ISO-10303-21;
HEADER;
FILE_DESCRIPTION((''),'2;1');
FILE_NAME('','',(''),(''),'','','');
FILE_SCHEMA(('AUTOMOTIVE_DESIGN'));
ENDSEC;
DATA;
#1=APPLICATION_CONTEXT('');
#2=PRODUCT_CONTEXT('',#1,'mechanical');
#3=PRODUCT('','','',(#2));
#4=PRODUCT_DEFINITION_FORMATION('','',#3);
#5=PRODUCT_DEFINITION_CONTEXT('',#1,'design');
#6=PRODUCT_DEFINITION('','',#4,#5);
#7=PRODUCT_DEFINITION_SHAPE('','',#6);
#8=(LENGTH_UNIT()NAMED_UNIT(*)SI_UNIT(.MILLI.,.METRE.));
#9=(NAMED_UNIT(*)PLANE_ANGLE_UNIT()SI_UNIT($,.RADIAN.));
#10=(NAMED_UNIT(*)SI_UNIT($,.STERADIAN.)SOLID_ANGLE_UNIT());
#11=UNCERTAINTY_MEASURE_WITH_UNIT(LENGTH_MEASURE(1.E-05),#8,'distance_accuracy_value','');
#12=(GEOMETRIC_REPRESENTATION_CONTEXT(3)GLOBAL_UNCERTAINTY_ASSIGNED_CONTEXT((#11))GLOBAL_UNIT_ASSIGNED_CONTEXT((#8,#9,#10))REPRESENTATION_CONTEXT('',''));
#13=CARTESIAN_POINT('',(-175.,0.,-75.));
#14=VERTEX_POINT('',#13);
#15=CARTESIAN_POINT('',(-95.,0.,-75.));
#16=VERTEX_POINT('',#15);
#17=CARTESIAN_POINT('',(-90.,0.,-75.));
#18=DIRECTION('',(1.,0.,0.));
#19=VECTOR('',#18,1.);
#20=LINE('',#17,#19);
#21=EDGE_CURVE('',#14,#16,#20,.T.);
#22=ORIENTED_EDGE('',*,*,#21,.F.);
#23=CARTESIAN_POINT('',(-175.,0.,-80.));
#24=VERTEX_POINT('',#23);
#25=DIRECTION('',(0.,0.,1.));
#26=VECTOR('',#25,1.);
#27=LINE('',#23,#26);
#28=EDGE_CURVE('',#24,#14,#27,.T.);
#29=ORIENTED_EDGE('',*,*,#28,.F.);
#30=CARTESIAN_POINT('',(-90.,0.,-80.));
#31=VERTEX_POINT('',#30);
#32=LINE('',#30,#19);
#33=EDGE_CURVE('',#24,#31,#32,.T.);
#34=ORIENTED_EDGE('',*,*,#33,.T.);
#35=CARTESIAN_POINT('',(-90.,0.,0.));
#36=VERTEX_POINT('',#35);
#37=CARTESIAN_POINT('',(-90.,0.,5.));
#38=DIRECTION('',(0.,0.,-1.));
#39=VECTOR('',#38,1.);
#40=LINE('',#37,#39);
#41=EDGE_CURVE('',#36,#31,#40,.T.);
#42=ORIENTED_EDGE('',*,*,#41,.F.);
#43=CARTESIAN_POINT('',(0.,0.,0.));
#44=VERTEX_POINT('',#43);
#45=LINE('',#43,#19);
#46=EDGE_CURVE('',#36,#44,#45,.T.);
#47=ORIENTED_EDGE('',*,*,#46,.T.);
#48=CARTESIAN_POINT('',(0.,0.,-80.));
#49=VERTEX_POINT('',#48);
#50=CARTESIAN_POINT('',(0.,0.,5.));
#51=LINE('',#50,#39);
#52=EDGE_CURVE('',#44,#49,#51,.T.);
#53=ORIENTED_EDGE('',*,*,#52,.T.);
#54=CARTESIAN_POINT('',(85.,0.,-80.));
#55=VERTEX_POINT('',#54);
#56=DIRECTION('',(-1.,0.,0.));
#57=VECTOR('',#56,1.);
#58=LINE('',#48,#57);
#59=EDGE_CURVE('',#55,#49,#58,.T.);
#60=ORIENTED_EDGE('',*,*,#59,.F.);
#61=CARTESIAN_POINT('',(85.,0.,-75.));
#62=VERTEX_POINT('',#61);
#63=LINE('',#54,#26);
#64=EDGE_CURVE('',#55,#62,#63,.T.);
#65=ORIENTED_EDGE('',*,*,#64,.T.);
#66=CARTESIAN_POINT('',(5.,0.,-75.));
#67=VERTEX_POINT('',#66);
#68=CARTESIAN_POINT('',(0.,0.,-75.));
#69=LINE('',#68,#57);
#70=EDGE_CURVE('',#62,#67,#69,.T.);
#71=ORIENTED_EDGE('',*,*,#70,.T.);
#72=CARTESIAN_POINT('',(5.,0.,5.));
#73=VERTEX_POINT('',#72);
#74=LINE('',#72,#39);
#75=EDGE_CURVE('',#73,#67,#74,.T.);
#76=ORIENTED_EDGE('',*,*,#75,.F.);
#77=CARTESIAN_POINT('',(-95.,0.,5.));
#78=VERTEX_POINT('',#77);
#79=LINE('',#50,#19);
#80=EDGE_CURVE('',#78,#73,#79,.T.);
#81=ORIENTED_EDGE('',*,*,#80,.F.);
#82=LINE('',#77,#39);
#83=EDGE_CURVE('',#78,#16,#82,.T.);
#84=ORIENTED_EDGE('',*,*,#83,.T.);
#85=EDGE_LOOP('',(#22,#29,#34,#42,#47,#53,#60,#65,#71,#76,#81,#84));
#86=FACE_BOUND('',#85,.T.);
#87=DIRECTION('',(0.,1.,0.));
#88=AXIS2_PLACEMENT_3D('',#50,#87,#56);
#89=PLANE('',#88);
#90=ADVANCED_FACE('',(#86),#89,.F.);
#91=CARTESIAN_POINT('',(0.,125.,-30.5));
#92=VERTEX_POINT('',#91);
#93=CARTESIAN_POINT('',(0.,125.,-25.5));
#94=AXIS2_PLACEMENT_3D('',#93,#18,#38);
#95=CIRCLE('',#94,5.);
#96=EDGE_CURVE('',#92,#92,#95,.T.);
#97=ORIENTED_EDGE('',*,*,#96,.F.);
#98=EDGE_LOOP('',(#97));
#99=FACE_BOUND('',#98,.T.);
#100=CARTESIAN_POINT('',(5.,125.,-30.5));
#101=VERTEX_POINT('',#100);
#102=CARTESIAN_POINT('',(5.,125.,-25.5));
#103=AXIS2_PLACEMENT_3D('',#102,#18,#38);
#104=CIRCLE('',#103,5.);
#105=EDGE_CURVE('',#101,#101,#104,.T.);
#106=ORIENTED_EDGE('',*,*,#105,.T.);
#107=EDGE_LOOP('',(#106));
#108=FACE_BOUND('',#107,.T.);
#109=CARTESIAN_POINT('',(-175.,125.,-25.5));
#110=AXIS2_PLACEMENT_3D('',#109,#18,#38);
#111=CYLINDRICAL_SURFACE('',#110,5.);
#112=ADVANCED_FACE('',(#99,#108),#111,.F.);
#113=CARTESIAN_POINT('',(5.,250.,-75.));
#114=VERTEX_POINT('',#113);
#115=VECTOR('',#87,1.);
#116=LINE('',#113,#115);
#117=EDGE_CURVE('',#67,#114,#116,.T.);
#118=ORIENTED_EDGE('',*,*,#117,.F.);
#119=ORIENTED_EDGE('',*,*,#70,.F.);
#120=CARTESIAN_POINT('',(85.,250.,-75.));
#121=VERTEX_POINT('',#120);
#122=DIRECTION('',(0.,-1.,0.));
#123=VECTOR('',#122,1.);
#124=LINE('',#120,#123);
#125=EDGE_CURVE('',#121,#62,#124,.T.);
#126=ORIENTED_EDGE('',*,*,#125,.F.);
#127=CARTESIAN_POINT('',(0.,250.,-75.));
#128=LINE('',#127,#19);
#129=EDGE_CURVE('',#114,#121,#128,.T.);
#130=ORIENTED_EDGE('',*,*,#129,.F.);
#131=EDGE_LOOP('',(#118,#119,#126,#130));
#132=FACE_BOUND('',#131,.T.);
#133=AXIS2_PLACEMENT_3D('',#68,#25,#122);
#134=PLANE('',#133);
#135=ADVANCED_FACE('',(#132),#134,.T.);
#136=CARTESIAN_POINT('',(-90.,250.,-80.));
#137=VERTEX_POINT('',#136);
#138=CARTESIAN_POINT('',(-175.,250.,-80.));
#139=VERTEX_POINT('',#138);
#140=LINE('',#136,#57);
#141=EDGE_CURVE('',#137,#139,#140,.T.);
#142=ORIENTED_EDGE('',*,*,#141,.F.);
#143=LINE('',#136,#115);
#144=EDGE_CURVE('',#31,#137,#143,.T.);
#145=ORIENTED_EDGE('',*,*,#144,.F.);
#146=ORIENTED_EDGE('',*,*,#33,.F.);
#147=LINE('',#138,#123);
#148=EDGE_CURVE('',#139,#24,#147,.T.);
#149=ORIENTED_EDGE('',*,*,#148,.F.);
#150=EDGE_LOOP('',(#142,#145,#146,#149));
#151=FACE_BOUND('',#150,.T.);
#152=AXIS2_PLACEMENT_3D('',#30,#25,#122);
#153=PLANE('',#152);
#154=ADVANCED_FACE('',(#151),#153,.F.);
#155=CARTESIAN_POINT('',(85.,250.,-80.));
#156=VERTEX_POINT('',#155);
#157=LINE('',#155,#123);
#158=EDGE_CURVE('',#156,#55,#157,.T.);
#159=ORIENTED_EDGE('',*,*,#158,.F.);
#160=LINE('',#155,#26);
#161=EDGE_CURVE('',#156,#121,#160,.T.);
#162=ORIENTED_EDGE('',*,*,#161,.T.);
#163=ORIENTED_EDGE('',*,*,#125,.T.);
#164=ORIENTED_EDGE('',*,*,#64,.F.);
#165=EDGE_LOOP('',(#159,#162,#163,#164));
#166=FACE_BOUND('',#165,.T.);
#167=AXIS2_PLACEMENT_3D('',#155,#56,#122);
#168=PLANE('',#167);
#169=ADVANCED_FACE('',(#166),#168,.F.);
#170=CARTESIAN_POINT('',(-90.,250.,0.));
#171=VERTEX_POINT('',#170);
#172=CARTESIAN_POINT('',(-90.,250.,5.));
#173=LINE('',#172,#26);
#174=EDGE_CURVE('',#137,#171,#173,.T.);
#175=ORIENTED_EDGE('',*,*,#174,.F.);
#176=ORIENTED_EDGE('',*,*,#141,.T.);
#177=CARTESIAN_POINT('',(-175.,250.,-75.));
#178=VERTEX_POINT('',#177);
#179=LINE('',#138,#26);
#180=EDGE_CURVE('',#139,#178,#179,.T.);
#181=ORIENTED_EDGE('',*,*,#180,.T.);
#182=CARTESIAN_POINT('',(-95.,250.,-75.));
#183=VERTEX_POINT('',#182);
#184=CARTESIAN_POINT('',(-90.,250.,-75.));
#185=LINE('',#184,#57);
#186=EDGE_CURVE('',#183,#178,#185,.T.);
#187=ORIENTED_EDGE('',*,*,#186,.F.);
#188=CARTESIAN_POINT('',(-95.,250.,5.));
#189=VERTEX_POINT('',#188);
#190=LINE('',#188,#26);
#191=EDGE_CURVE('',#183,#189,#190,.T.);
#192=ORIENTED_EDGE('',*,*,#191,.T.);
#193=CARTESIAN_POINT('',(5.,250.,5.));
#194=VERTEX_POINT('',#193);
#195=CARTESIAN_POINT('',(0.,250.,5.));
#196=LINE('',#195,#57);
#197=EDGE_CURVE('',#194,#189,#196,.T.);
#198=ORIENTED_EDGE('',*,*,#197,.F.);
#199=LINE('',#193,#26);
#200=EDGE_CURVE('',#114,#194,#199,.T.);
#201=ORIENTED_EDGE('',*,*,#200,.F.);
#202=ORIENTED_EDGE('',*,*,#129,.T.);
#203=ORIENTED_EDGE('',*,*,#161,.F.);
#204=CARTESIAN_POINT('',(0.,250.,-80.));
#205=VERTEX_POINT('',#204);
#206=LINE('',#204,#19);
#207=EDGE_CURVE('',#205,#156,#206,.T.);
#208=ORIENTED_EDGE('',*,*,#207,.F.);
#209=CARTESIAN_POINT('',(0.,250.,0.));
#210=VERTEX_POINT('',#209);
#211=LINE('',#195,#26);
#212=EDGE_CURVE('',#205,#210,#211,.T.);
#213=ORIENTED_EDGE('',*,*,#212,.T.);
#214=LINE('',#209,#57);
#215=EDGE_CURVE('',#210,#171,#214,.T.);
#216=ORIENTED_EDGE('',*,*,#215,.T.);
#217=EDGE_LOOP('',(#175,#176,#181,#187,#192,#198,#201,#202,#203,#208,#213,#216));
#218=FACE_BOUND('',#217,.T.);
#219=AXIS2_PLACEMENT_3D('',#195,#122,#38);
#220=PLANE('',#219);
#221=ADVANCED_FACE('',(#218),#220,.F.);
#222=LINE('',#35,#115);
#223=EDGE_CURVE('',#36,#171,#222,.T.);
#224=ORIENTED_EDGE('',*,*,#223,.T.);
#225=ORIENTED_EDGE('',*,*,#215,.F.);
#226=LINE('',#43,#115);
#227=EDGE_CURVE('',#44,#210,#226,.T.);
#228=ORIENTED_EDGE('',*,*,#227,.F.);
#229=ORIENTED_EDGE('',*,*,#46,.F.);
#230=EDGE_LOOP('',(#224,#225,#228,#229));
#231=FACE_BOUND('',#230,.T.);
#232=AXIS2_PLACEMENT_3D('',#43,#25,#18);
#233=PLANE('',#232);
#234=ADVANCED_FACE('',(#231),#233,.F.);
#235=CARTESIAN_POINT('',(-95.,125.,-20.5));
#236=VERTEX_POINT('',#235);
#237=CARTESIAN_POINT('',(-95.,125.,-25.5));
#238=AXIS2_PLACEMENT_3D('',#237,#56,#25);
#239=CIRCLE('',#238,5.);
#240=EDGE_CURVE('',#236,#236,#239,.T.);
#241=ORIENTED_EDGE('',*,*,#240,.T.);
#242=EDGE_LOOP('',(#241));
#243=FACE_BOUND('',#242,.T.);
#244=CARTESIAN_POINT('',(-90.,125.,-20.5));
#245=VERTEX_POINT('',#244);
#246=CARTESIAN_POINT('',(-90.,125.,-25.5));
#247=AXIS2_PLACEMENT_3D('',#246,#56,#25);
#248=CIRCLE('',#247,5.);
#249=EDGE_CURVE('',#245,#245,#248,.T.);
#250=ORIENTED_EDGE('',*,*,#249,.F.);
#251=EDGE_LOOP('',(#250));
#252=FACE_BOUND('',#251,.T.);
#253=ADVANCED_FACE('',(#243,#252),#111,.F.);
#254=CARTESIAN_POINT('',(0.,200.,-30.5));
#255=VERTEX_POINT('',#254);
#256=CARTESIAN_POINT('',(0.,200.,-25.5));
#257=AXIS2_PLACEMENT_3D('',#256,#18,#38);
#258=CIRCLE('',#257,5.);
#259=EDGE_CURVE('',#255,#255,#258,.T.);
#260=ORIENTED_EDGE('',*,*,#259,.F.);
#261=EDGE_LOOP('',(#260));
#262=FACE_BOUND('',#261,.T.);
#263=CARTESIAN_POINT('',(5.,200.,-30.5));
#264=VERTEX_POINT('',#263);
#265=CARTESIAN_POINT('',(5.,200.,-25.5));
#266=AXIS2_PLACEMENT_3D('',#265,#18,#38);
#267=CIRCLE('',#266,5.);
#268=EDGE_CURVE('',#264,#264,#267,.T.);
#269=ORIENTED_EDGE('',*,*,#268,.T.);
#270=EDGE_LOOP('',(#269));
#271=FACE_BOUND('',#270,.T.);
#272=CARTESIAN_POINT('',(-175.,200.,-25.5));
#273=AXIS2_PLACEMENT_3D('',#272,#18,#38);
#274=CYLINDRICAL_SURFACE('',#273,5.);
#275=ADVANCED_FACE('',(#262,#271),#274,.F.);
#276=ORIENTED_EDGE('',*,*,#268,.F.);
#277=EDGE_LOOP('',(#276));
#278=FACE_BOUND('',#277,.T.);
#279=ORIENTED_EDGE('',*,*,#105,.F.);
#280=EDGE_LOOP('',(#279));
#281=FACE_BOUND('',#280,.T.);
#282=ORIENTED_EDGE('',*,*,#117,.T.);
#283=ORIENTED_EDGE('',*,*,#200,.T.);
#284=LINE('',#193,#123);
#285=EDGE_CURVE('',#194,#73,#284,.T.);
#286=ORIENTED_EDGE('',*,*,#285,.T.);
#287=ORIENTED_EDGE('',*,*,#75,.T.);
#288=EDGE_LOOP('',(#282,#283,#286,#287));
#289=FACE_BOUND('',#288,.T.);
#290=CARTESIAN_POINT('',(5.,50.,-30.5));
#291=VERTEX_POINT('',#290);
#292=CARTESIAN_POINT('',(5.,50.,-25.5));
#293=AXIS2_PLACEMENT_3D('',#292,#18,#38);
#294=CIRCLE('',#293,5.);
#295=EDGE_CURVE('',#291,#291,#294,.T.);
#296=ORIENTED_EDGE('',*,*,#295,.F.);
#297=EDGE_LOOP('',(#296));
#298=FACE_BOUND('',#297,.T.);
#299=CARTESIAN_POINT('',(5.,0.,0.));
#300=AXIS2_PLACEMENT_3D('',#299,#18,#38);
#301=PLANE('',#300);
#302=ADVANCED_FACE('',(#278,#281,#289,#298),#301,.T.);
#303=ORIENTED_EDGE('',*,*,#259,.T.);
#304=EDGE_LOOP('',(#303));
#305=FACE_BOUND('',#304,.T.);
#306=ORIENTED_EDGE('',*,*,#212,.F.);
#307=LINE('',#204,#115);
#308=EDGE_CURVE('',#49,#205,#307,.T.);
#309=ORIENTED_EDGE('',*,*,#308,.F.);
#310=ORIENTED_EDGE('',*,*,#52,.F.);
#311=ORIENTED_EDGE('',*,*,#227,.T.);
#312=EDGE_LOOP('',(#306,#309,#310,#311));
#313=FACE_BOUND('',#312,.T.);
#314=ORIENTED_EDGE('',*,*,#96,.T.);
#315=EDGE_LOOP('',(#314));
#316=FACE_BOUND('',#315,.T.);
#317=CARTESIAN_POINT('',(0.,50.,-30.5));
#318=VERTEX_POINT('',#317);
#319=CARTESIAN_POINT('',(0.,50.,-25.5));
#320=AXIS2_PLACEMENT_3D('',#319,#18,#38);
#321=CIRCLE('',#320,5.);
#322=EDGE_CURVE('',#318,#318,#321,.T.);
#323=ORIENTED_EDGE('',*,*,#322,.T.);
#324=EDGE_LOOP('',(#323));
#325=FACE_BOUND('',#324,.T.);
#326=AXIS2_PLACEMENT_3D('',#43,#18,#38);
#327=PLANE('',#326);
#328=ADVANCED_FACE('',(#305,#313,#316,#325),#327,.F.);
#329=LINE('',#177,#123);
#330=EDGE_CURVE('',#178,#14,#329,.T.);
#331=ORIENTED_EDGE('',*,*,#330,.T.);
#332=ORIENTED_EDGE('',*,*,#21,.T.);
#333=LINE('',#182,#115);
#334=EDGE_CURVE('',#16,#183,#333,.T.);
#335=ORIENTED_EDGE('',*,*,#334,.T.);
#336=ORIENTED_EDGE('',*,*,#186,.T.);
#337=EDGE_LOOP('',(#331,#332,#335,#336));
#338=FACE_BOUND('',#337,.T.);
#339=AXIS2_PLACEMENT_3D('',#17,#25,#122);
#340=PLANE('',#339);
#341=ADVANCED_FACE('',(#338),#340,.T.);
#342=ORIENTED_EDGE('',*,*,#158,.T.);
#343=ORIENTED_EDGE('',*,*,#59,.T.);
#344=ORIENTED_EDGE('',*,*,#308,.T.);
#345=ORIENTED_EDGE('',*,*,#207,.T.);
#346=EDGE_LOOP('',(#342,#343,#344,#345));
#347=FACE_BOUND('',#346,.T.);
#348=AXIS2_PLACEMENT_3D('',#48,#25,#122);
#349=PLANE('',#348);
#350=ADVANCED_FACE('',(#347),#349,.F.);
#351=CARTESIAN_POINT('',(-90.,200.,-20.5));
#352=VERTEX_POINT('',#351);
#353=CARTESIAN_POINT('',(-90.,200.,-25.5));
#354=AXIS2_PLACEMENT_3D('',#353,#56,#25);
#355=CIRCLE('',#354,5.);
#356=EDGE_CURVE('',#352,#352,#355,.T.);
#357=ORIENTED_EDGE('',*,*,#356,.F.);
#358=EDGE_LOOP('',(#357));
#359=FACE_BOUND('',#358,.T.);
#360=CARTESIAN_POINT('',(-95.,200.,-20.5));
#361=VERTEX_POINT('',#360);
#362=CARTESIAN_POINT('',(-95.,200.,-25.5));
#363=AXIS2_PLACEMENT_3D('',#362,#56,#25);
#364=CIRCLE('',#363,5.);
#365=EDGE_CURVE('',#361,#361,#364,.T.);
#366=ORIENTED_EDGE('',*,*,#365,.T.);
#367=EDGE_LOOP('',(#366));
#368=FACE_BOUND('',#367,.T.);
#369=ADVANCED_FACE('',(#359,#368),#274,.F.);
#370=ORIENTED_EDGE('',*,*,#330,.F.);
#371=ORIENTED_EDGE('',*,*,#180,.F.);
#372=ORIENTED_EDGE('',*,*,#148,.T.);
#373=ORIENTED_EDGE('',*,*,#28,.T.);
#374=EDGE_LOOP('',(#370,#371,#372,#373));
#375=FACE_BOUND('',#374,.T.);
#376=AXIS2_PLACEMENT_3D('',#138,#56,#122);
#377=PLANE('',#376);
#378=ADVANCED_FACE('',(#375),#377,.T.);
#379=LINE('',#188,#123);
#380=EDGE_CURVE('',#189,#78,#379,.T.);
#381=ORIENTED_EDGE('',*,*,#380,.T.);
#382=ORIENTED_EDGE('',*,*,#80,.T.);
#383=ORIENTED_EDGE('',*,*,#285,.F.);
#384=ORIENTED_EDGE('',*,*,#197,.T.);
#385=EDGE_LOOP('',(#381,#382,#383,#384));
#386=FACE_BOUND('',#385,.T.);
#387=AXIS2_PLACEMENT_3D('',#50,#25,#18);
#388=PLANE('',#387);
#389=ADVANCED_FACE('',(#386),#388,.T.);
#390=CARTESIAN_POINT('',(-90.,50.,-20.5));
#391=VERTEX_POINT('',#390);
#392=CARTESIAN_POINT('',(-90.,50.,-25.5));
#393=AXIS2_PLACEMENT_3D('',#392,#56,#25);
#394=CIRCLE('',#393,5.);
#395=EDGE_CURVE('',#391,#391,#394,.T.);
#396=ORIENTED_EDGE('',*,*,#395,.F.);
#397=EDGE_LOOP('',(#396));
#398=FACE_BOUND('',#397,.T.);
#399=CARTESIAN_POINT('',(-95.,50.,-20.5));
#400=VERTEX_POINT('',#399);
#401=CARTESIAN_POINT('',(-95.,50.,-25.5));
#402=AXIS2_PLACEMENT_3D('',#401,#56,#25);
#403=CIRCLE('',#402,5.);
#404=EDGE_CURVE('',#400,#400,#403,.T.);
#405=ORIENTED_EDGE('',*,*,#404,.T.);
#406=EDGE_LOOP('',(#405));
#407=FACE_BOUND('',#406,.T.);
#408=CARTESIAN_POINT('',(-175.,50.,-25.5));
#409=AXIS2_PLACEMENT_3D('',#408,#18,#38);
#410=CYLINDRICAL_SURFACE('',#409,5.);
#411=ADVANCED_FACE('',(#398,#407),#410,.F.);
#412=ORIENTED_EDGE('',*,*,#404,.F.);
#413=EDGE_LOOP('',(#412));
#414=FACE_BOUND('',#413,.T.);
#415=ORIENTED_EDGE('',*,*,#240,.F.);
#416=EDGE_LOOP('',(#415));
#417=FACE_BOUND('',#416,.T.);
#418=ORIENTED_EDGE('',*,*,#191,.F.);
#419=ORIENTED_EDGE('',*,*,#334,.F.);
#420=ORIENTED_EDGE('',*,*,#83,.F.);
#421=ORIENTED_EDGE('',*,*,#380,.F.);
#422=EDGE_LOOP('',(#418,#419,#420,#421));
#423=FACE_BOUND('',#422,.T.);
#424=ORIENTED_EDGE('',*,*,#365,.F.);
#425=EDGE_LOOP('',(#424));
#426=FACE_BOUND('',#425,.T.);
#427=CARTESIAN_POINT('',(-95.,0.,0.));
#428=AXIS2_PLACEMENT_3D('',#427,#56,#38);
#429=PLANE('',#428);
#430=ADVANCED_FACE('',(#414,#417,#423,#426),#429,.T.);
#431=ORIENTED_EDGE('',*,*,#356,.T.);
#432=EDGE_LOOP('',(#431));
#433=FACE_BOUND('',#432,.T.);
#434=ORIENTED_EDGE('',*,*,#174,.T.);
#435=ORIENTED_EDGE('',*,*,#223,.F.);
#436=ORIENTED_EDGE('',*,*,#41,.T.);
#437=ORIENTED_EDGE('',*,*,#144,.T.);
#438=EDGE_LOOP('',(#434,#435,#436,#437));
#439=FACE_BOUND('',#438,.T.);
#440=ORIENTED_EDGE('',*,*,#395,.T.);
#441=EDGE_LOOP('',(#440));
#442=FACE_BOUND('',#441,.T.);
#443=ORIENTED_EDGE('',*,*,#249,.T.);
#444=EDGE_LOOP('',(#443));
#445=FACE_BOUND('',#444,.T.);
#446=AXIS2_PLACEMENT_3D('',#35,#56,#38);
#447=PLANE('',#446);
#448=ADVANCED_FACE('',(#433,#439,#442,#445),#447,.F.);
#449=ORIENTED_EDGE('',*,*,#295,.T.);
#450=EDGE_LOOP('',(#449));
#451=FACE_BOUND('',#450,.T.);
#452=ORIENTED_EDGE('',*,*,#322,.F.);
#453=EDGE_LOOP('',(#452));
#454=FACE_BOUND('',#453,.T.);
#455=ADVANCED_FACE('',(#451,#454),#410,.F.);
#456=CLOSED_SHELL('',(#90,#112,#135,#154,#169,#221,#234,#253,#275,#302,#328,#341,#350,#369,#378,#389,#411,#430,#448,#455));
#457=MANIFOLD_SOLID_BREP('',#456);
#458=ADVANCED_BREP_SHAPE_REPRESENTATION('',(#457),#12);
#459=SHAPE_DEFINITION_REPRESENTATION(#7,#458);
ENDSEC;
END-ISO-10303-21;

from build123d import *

# Parameters (mm, degrees)
ESQUISSE1_W             = 45
ESQUISSE1_H             = 250
BOSS_EXTRU_1_DEPTH      = 5
ESQUISSE2_W             = 80
ESQUISSE2_H             = 250
BOSS_EXTRU_2_DEPTH      = 5
ESQUISSE4_W             = 85
ESQUISSE4_H             = 250
BOSS_EXTRU_4_DEPTH      = 5
ESQUISSE5_R             = 5
ENL_V_MAT_EXTRU_1_DEPTH = 181


with BuildPart() as part:
    # Esquisse1 → Boss.-Extru.1 (new body)
    with BuildSketch(Plane.XY):
        with Locations((-22.5, 125)):
            Rectangle(ESQUISSE1_W, ESQUISSE1_H)
    boss_extru_1 = extrude(amount=BOSS_EXTRU_1_DEPTH)

    # Esquisse2 → Boss.-Extru.2 (add)
    with BuildSketch(Plane(origin=(0, 0, 0), x_dir=(0, 0, -1), z_dir=(1, 0, 0))):
        with Locations((35, 125)):
            Rectangle(ESQUISSE2_W, ESQUISSE2_H)
    boss_extru_2 = extrude(amount=BOSS_EXTRU_2_DEPTH)

    # Esquisse4 → Boss.-Extru.4 (add)
    with BuildSketch(Plane(origin=(0, 0, -75), x_dir=(-1, 0, 0), z_dir=(0, 0, -1))):
        with Locations((-42.5, 125)):
            Rectangle(ESQUISSE4_W, ESQUISSE4_H)
    boss_extru_4 = extrude(amount=BOSS_EXTRU_4_DEPTH)

    # Symétrie1: Boss.-Extru.1, Boss.-Extru.2, Boss.-Extru.4 across plane
    add(boss_extru_1.mirror(Plane(origin=(-45, 0, 5), x_dir=(0, 0, 1), z_dir=(1, 0, 0))))
    add(boss_extru_2.mirror(Plane(origin=(-45, 0, 5), x_dir=(0, 0, 1), z_dir=(1, 0, 0))))
    add(boss_extru_4.mirror(Plane(origin=(-45, 0, 5), x_dir=(0, 0, 1), z_dir=(1, 0, 0))))

    # Esquisse5 → Enlèv. mat.-Extru.1 (cut, through all)
    with BuildSketch(Plane(origin=(5, 0, 0), x_dir=(0, 0, -1), z_dir=(1, 0, 0))):
        with Locations((25.5, 125)):
            Circle(ESQUISSE5_R)
        with Locations((25.5, 200)):
            Circle(ESQUISSE5_R)
        with Locations((25.5, 50)):
            Circle(ESQUISSE5_R)
    extrude(amount=-ENL_V_MAT_EXTRU_1_DEPTH, mode=Mode.SUBTRACT)


solid = part.part
